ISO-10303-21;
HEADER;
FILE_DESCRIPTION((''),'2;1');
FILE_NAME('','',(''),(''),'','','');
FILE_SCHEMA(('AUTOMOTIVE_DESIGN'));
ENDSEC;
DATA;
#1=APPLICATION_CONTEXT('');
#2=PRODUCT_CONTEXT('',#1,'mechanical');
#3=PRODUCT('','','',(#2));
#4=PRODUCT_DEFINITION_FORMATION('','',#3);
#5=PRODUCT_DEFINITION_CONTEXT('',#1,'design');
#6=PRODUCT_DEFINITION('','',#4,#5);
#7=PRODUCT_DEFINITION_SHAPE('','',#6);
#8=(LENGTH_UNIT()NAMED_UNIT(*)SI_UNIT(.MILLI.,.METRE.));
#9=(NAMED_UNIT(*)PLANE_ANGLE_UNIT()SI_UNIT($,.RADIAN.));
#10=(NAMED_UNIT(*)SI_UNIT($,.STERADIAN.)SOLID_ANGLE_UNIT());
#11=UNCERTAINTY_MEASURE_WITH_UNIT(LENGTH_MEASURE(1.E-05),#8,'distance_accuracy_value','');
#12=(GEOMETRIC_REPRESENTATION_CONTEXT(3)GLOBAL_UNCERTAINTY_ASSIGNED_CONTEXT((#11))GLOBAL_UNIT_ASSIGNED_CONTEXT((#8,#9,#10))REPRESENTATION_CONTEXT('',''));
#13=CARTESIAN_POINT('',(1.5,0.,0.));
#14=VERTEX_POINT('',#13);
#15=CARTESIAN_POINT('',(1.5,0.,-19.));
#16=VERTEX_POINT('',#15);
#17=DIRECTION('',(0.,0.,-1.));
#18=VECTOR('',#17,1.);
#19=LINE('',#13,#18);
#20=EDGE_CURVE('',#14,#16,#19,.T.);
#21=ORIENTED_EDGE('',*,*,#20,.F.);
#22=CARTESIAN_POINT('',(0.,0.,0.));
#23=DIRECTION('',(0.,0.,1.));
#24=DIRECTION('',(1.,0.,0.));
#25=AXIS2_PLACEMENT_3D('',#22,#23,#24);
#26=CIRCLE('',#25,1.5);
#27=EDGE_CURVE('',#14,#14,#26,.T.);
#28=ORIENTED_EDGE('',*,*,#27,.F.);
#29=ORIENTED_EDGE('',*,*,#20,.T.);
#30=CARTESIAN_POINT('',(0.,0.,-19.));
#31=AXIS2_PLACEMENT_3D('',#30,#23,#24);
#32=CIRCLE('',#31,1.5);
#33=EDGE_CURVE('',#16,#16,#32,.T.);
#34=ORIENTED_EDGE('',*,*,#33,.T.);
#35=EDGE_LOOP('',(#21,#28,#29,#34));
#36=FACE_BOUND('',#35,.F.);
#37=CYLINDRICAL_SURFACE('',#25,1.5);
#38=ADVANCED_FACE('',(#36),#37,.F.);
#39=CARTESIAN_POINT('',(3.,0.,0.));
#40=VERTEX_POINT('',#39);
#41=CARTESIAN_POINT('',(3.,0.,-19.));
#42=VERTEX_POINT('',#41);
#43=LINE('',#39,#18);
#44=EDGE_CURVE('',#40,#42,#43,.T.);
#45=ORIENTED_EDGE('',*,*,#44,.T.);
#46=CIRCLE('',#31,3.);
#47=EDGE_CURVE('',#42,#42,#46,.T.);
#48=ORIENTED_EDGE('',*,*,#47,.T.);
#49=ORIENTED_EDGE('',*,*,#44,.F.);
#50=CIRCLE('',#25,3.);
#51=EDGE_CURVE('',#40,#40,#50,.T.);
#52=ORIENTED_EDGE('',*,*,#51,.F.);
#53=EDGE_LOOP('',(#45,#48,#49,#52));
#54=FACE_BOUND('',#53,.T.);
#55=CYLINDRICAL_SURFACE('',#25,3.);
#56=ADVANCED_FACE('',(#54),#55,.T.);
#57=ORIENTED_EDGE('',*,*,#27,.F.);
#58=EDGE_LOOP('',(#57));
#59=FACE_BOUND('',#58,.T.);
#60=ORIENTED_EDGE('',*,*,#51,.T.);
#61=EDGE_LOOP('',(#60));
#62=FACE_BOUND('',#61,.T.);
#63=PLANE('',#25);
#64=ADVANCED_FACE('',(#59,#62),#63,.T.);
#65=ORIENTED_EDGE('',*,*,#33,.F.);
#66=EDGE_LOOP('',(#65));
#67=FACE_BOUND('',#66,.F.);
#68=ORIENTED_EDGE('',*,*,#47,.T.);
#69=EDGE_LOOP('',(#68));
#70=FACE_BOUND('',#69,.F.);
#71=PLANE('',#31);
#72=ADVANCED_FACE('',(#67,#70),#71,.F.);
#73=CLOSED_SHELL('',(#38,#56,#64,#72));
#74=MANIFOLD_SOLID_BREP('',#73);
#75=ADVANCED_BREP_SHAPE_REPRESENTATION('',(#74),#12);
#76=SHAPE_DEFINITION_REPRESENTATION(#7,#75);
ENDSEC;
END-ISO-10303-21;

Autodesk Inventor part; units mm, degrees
ref_plane "YZ Plane" through (0, 0, 0) normal (1, 0, 0) x (0, 1, 0)
ref_plane "XZ Plane" through (0, 0, 0) normal (0, 1, 0) x (-1, 0, 0)
ref_plane "XY Plane" through (0, 0, 0) normal (0, 0, 1) x (1, 0, 0)
sketch "Sketch1" plane through (0, 0, 0) normal (0, 0, 1) x (1, 0, 0)
  circle A0 centre (0, 0) radius 1.5
  circle A1 centre (0, 0) radius 3
  dimension "d0" = 3
  dimension "d1" = 6
extrude "Extrusion1" add sketch "Sketch1" against normal blind 19
properties part number "l19" material "Aluminum 2014-T4"
